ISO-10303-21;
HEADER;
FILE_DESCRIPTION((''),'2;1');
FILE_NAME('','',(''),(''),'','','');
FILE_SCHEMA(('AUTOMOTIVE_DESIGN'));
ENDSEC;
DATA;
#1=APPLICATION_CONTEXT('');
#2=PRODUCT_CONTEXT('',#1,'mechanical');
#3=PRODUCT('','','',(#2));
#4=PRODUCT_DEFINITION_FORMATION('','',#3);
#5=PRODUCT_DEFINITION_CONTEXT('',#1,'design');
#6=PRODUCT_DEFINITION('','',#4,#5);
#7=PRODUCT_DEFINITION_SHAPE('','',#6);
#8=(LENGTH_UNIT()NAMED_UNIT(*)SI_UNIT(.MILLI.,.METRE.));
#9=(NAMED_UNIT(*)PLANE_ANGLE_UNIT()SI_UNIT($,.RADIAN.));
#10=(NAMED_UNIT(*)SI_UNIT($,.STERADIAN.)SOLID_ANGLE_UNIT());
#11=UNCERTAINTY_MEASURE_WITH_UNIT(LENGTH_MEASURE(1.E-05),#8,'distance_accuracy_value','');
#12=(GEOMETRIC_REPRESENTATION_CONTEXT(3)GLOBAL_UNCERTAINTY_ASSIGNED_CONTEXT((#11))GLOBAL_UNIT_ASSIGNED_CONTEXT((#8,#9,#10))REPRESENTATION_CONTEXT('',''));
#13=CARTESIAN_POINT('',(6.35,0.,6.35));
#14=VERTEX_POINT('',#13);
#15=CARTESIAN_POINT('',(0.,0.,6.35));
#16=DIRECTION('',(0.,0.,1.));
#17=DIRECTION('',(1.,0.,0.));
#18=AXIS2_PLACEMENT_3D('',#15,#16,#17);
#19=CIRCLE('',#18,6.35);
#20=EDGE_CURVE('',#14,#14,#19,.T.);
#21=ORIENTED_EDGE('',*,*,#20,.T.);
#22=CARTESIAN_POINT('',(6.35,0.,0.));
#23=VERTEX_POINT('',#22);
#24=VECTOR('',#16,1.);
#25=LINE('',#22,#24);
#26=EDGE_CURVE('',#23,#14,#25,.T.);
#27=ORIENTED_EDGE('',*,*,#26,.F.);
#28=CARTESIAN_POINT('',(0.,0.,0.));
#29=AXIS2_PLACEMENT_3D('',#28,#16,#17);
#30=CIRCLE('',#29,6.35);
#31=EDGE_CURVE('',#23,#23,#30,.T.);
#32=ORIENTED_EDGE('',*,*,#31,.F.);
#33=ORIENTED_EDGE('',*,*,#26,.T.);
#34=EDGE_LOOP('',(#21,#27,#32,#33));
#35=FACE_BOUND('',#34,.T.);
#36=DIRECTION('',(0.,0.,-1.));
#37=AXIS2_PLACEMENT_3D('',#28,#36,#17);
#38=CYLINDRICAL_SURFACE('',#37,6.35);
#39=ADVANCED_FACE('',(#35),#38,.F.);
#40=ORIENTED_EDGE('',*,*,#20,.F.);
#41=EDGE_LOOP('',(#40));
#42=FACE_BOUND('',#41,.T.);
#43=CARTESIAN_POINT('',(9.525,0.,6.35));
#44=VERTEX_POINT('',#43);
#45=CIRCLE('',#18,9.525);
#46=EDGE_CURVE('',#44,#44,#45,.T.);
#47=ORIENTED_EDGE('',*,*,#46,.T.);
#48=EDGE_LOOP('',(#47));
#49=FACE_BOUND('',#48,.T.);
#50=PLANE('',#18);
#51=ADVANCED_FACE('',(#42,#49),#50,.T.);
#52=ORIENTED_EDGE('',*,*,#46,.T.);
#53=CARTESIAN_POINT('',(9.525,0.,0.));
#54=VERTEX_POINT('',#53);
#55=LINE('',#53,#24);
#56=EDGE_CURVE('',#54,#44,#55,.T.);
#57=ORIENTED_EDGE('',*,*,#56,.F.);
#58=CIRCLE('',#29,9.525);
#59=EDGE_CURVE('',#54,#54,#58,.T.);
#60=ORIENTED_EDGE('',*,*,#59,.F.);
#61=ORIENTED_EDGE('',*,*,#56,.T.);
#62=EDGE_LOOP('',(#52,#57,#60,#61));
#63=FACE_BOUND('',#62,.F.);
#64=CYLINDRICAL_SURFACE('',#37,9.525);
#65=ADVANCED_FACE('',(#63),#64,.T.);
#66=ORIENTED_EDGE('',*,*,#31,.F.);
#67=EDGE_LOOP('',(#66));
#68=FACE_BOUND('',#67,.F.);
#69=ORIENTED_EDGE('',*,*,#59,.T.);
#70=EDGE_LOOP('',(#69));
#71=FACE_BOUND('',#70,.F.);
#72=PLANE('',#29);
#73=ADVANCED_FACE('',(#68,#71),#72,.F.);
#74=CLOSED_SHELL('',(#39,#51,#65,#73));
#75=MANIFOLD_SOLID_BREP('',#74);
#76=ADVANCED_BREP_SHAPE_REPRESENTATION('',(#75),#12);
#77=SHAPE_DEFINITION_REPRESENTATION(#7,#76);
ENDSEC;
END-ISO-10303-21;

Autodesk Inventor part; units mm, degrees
ref_plane "YZ Plane" through (0, 0, 0) normal (1, 0, 0) x (0, 1, 0)
ref_plane "XZ Plane" through (0, 0, 0) normal (0, 1, 0) x (-1, 0, 0)
ref_plane "XY Plane" through (0, 0, 0) normal (0, 0, 1) x (1, 0, 0)
sketch "Sketch1" plane through (0, 0, 0) normal (0, 0, 1) x (1, 0, 0)
  circle A0 centre (0, 0) radius 6.35
  circle A1 centre (0, 0) radius 9.525
  dimension "d0" = 12.7
  dimension "d1" = 19.05
extrude "Extrusion1" add sketch "Sketch1" along normal blind 6.35
properties part number "seal2"
